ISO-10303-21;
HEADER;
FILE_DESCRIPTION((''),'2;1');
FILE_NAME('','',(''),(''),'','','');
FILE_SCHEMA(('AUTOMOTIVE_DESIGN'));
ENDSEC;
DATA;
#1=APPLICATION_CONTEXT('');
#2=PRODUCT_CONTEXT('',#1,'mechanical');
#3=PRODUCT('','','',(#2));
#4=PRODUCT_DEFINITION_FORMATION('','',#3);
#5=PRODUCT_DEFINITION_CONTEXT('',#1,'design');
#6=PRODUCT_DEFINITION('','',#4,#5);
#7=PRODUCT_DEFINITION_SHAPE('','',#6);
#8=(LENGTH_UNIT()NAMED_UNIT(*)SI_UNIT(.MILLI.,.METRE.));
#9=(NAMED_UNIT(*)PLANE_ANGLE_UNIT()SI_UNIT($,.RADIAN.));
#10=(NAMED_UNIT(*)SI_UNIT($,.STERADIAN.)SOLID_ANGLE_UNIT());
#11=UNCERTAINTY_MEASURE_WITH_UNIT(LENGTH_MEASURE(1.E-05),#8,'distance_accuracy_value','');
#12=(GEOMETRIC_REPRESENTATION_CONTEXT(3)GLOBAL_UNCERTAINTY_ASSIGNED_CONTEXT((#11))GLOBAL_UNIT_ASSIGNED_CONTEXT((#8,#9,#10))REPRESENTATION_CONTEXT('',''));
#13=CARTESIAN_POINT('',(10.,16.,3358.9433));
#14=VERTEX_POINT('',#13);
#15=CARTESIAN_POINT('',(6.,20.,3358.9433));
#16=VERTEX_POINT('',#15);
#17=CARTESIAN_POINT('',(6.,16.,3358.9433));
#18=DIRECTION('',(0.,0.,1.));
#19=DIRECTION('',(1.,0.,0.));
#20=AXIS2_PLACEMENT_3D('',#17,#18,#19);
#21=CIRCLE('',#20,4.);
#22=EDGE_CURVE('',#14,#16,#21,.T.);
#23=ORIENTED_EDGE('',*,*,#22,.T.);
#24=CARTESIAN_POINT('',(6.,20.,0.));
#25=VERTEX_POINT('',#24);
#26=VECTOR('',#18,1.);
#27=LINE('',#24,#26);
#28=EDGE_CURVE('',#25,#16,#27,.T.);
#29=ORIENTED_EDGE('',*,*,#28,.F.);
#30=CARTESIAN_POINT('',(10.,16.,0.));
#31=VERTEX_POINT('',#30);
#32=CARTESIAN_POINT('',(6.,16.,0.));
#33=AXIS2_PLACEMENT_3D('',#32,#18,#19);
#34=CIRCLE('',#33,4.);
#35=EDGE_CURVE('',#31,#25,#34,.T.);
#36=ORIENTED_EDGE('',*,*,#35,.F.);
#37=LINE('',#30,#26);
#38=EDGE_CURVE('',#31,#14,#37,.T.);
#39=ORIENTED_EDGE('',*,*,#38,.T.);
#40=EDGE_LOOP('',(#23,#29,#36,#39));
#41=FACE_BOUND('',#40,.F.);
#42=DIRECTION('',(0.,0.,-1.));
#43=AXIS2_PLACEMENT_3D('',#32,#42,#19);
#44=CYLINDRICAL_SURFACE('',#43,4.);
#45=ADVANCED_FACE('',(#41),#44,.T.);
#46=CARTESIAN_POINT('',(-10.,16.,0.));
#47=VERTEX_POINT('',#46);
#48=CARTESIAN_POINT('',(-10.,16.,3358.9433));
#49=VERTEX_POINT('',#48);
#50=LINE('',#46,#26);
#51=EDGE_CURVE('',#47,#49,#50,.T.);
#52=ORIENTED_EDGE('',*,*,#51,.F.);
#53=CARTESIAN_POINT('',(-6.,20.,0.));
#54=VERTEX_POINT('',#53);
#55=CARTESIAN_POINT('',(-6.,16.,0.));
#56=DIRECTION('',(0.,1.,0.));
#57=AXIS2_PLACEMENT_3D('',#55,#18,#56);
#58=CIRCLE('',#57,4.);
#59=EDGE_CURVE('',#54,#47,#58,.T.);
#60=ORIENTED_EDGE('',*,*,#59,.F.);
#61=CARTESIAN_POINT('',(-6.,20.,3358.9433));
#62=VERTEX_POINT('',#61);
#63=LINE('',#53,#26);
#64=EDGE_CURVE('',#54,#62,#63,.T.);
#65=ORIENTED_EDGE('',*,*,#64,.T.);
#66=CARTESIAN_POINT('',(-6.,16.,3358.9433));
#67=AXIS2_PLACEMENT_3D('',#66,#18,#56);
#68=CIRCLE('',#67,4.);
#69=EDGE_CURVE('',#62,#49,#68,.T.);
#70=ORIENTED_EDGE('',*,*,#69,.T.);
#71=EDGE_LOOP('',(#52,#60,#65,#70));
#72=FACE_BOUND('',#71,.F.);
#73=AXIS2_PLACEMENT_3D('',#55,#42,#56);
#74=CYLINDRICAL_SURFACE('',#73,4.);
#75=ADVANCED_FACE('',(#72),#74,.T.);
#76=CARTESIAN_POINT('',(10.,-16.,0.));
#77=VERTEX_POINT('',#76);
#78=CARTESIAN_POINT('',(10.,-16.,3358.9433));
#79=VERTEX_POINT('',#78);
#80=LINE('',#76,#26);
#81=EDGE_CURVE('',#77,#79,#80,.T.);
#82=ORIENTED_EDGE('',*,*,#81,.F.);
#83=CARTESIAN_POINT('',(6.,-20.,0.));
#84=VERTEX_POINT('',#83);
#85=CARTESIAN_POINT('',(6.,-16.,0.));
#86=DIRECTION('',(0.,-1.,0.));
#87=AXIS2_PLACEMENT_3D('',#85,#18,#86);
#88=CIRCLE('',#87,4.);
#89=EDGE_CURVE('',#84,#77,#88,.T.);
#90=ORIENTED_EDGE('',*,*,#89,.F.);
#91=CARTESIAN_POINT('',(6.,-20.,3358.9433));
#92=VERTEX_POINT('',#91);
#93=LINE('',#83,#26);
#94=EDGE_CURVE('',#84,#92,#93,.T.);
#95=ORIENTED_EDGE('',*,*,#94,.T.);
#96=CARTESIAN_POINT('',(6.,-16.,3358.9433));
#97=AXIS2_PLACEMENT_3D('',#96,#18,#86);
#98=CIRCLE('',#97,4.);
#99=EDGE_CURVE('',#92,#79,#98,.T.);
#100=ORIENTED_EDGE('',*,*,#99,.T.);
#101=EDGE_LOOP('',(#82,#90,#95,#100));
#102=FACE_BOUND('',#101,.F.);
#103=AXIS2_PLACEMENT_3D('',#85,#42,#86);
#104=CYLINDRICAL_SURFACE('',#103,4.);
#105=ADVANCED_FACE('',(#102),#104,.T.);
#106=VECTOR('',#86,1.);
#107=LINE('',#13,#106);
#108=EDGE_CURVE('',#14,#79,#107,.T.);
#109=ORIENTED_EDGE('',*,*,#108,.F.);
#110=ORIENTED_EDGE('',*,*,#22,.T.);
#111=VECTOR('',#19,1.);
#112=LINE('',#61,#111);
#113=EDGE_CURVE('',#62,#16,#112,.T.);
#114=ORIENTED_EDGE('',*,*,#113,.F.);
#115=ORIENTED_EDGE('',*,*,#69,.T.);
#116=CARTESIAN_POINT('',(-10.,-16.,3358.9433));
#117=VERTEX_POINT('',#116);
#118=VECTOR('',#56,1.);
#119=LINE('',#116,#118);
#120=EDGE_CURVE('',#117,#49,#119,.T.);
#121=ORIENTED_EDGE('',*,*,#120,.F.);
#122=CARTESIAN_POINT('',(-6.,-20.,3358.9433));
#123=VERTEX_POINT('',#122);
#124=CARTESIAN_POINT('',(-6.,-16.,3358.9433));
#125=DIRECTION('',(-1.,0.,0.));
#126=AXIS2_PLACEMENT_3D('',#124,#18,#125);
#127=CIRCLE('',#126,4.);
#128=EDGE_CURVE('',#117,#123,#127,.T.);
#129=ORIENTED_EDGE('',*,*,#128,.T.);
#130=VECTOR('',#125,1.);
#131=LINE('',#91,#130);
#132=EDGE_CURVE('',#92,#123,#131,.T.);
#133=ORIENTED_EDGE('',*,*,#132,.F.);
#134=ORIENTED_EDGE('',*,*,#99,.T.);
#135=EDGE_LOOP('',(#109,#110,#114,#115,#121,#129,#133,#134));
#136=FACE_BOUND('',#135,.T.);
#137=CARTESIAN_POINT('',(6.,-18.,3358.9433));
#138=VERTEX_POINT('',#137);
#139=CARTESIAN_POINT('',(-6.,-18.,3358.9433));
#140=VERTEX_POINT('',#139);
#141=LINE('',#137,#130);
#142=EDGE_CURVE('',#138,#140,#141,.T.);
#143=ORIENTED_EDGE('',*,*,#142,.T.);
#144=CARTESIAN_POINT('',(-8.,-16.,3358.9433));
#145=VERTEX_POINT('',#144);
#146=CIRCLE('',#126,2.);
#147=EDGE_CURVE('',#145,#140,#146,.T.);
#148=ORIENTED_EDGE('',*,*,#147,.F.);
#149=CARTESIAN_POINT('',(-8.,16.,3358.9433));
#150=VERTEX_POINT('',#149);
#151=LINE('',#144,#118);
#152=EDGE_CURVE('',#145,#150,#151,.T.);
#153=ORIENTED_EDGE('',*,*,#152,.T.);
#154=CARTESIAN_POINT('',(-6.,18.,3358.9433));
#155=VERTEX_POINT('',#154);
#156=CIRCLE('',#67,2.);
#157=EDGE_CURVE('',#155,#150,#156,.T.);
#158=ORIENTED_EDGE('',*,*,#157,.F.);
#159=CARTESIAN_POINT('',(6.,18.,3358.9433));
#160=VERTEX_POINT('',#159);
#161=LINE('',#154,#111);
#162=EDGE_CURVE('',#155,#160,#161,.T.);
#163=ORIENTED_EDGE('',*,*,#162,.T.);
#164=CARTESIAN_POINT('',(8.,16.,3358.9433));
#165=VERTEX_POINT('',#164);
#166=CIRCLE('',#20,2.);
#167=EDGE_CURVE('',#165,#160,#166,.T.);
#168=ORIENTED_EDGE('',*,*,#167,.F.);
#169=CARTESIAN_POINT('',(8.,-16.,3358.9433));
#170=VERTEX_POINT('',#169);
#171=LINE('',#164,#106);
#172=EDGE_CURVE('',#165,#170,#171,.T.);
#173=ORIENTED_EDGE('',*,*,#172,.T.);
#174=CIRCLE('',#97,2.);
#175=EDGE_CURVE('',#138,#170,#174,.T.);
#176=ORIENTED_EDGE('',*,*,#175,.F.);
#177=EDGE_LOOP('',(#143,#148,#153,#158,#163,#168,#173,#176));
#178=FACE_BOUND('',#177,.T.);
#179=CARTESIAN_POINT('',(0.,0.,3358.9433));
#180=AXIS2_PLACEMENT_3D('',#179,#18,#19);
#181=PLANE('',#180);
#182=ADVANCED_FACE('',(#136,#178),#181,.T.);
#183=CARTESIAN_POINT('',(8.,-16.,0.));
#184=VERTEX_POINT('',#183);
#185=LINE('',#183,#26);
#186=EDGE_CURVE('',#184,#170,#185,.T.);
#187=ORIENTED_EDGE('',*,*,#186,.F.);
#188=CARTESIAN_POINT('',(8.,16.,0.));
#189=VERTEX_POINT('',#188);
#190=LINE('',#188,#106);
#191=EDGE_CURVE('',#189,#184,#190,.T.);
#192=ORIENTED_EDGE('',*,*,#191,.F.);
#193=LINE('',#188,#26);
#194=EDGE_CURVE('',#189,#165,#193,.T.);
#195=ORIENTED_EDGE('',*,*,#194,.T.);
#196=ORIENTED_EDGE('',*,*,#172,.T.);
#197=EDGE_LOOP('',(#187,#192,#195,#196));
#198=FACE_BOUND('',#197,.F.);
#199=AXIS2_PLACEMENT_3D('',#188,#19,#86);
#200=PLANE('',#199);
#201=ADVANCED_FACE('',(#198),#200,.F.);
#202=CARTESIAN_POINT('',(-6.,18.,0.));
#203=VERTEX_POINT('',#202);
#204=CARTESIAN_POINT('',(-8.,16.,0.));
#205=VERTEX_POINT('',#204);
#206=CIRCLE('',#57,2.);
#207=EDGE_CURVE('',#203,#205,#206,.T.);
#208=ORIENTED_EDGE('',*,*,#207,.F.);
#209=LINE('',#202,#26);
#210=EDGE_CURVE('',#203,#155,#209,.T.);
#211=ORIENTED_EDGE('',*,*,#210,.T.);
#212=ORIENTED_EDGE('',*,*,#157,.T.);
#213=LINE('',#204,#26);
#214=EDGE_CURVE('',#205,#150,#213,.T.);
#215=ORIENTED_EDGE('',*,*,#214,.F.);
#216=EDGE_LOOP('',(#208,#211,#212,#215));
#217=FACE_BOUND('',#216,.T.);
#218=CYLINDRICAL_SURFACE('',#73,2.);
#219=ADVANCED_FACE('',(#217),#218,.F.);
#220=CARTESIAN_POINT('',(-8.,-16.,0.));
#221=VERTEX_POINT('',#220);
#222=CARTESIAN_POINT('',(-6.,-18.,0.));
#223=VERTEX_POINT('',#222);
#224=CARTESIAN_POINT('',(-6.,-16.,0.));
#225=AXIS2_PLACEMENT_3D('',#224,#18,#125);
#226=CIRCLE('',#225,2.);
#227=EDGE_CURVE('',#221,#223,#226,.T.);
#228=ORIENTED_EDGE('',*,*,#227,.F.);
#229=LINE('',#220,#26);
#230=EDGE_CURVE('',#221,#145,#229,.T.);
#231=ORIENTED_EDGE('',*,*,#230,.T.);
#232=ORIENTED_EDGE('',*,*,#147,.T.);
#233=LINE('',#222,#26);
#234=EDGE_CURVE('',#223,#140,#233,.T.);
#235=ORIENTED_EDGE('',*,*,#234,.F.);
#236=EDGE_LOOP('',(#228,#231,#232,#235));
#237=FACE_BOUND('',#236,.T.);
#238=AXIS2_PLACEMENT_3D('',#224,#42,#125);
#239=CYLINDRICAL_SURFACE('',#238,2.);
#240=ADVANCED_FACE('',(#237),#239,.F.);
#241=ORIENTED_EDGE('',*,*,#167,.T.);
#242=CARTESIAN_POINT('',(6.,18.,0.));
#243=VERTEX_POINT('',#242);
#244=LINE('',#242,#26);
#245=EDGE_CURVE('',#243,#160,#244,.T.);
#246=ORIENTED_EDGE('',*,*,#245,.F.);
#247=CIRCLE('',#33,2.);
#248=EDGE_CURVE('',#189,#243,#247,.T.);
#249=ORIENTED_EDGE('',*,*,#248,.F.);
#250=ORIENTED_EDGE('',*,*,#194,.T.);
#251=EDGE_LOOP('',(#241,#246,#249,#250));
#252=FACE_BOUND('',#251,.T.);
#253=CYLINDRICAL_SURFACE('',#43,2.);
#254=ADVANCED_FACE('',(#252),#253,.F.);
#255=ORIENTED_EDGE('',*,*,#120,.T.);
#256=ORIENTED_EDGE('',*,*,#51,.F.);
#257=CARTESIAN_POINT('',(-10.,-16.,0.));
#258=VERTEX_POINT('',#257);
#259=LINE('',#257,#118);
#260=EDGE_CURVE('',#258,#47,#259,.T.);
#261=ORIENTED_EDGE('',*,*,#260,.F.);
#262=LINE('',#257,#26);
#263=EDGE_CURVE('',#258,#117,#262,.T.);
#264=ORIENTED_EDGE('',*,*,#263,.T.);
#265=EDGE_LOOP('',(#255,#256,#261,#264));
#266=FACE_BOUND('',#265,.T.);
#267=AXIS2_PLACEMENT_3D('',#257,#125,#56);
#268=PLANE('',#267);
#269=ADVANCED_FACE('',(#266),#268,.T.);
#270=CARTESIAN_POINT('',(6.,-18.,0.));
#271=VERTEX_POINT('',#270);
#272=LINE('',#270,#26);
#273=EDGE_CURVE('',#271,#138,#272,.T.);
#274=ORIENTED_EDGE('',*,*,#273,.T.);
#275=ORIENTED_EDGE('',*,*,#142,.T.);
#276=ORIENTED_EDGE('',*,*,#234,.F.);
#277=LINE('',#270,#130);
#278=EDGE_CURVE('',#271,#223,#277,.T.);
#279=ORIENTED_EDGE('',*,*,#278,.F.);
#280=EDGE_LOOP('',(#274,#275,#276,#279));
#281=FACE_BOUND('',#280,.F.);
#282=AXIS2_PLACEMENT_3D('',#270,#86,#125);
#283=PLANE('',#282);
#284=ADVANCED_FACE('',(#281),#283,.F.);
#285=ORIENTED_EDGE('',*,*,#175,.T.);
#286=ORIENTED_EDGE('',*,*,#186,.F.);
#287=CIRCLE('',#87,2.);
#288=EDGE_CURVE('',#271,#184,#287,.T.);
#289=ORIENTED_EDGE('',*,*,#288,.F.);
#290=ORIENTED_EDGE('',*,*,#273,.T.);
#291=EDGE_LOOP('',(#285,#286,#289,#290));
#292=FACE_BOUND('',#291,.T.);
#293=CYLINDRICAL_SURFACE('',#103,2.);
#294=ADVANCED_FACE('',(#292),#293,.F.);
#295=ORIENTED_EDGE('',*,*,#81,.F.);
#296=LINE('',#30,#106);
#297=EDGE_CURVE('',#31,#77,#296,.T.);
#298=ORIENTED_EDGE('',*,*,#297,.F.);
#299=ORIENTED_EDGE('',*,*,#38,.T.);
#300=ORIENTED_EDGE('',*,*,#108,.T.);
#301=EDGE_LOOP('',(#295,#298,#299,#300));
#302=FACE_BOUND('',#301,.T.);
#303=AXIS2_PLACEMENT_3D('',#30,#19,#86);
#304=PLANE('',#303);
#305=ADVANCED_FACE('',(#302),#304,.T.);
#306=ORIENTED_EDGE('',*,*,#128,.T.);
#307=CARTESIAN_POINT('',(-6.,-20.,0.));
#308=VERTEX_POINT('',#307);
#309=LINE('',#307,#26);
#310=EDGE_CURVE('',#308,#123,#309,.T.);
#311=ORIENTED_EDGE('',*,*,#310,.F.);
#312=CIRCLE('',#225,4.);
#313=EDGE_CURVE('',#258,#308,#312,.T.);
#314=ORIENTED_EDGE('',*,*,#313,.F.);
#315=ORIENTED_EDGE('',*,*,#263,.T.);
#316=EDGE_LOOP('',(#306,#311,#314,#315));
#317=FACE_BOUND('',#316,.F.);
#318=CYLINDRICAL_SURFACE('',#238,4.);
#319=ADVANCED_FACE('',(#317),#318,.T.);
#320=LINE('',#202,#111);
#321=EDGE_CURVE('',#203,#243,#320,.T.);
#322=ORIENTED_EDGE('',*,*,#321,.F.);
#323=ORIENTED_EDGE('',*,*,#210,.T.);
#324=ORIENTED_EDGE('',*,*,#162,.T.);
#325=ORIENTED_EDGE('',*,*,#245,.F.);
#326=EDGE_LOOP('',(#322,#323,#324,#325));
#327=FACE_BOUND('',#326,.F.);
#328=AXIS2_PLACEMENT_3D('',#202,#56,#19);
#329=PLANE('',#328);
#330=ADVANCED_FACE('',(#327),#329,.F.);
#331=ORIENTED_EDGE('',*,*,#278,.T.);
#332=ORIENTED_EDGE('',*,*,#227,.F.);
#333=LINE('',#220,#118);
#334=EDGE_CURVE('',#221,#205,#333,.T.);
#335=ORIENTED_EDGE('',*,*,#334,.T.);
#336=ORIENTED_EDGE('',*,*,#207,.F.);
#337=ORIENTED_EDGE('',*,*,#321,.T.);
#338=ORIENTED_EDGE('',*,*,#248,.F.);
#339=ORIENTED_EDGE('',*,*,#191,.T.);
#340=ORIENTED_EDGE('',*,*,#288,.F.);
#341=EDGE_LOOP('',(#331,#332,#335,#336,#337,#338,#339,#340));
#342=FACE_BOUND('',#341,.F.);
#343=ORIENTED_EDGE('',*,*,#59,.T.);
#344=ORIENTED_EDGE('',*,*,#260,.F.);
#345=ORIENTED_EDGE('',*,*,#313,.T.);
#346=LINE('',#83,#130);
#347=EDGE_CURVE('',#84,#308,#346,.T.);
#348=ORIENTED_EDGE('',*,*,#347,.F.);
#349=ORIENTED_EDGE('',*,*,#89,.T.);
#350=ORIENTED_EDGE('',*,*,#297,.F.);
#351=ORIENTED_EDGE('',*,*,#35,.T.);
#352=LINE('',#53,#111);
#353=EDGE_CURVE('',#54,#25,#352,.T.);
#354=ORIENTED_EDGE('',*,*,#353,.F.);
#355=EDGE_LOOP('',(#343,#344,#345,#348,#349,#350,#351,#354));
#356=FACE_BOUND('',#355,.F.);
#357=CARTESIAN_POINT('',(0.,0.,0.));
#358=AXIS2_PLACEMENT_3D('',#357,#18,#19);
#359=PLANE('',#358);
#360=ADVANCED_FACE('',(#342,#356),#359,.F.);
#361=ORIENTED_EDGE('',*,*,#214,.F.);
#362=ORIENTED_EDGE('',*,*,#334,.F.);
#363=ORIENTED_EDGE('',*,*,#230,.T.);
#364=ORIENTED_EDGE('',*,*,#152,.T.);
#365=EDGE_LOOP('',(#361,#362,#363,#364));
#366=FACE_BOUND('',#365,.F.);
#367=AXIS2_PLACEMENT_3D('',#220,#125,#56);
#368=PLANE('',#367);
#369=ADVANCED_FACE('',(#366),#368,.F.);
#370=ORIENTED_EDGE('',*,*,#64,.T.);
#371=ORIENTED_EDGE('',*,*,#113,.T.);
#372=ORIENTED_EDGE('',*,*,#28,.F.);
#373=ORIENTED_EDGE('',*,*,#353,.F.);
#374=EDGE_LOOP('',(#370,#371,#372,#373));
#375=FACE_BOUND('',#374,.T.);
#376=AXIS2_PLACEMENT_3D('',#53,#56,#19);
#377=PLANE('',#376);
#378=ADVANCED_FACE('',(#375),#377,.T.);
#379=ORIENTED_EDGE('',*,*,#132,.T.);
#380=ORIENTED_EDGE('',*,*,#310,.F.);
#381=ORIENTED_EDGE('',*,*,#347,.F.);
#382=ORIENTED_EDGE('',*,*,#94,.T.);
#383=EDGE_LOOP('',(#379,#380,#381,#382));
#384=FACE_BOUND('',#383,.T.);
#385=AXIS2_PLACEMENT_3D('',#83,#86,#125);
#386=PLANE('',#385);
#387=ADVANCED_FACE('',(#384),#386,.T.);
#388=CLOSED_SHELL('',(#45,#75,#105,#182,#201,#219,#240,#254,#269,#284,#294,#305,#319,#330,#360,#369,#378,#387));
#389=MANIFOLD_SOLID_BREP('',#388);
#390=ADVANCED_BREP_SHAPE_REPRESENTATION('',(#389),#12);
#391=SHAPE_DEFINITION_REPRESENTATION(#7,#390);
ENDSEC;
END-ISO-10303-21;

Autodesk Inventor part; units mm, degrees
ref_plane "YZ Plane" through (0, 0, 0) normal (1, 0, 0) x (0, 1, 0)
ref_plane "Start Plane" through (0, 0, 0) normal (0, 0, 1) x (1, 0, 0)
ref_plane "End Plane" through (0, 0, 3358.9433) normal (0, 0, 1) x (1, 0, 0)
sketch "Sketch" plane through (0, 0, 0) normal (0, 0, 1) x (1, 0, 0)
  line L0 (-10, -16) -> (-10, 16)
  line L1 (-6, 20) -> (6, 20)
  line L2 (10, 16) -> (10, -16)
  line L3 (6, -20) -> (-6, -20)
  arc A0 (-10, -16) -> (-6, -20) centre (-6, -16) ccw
  arc A1 (10, 16) -> (6, 20) centre (6, 16) ccw
  arc A2 (-6, 20) -> (-10, 16) centre (-6, 16) ccw
  arc A3 (6, -20) -> (10, -16) centre (6, -16) ccw
  arc A4 (-6, 18) -> (-8, 16) centre (-6, 16) ccw
  line L4 (-6, 18) -> (6, 18)
  arc A5 (8, 16) -> (6, 18) centre (6, 16) ccw
  line L5 (8, 16) -> (8, -16)
  arc A6 (6, -18) -> (8, -16) centre (6, -16) ccw
  line L6 (6, -18) -> (-6, -18)
  arc A7 (-8, -16) -> (-6, -18) centre (-6, -16) ccw
  line L7 (-8, -16) -> (-8, 16)
  line L8 (0, 29.1598) -> (0, -29.1598) construction
  line L9 (-15.1598, 0) -> (15.1598, 0) construction
  dimension "d7" = 4
  dimension "d9" = 20
  dimension "d11" = 40
  dimension "d12" = 2
  dimension "d15" = 10
  dimension "d16" = 20
extrude "Body" add sketch "Sketch" along normal up to surface (3358.9433 mm away) from surface at 0
sketch "Sketch3" plane through (0, 0, 0) normal (0, 0, 1) x (1, 0, 0)
  line L0 (0, 0) -> (10, 0)
ref_plane "Work Plane3" through (0, 0, 0) normal (0, -1, 0) x (1, 0, 0)
sketch "Sketch4" plane through (0, 0, 0) normal (0, -1, 0) x (1, 0, 0)
  line L0 (-2, 0) -> (12, 0) projected
  line L1 (-2, 3358.9433) -> (12, 3358.9433) projected
  dimension "d18" = 3358.9433
equation "\"d7\" = G_IR"
equation "\"d9\" = G_W"
equation "\"d11\" = G_H"
equation "\"d12\" = G_T"
equation "\"d15\" = 0.5 * d9"
equation "\"d16\" = 0.5 * d11"
equation "\"d3\" = G_L"
equation "\"G_W\" = 20"
equation "\"G_H\" = 40"
equation "\"G_T\" = 2"
equation "\"G_IR\" = 4"
equation "\"G_L\" = d18"
equation "\"G_OFFSET_START\" = 0"
equation "\"G_OFFSET_END\" = 0"
equation "\"d14\" = G_OFFSET_END + B_L"
equation "\"B_L\" = 3358.94329"
properties part number "ISO 4019 - 40x20x2 - 3358,94" material "Steel, Mild"
